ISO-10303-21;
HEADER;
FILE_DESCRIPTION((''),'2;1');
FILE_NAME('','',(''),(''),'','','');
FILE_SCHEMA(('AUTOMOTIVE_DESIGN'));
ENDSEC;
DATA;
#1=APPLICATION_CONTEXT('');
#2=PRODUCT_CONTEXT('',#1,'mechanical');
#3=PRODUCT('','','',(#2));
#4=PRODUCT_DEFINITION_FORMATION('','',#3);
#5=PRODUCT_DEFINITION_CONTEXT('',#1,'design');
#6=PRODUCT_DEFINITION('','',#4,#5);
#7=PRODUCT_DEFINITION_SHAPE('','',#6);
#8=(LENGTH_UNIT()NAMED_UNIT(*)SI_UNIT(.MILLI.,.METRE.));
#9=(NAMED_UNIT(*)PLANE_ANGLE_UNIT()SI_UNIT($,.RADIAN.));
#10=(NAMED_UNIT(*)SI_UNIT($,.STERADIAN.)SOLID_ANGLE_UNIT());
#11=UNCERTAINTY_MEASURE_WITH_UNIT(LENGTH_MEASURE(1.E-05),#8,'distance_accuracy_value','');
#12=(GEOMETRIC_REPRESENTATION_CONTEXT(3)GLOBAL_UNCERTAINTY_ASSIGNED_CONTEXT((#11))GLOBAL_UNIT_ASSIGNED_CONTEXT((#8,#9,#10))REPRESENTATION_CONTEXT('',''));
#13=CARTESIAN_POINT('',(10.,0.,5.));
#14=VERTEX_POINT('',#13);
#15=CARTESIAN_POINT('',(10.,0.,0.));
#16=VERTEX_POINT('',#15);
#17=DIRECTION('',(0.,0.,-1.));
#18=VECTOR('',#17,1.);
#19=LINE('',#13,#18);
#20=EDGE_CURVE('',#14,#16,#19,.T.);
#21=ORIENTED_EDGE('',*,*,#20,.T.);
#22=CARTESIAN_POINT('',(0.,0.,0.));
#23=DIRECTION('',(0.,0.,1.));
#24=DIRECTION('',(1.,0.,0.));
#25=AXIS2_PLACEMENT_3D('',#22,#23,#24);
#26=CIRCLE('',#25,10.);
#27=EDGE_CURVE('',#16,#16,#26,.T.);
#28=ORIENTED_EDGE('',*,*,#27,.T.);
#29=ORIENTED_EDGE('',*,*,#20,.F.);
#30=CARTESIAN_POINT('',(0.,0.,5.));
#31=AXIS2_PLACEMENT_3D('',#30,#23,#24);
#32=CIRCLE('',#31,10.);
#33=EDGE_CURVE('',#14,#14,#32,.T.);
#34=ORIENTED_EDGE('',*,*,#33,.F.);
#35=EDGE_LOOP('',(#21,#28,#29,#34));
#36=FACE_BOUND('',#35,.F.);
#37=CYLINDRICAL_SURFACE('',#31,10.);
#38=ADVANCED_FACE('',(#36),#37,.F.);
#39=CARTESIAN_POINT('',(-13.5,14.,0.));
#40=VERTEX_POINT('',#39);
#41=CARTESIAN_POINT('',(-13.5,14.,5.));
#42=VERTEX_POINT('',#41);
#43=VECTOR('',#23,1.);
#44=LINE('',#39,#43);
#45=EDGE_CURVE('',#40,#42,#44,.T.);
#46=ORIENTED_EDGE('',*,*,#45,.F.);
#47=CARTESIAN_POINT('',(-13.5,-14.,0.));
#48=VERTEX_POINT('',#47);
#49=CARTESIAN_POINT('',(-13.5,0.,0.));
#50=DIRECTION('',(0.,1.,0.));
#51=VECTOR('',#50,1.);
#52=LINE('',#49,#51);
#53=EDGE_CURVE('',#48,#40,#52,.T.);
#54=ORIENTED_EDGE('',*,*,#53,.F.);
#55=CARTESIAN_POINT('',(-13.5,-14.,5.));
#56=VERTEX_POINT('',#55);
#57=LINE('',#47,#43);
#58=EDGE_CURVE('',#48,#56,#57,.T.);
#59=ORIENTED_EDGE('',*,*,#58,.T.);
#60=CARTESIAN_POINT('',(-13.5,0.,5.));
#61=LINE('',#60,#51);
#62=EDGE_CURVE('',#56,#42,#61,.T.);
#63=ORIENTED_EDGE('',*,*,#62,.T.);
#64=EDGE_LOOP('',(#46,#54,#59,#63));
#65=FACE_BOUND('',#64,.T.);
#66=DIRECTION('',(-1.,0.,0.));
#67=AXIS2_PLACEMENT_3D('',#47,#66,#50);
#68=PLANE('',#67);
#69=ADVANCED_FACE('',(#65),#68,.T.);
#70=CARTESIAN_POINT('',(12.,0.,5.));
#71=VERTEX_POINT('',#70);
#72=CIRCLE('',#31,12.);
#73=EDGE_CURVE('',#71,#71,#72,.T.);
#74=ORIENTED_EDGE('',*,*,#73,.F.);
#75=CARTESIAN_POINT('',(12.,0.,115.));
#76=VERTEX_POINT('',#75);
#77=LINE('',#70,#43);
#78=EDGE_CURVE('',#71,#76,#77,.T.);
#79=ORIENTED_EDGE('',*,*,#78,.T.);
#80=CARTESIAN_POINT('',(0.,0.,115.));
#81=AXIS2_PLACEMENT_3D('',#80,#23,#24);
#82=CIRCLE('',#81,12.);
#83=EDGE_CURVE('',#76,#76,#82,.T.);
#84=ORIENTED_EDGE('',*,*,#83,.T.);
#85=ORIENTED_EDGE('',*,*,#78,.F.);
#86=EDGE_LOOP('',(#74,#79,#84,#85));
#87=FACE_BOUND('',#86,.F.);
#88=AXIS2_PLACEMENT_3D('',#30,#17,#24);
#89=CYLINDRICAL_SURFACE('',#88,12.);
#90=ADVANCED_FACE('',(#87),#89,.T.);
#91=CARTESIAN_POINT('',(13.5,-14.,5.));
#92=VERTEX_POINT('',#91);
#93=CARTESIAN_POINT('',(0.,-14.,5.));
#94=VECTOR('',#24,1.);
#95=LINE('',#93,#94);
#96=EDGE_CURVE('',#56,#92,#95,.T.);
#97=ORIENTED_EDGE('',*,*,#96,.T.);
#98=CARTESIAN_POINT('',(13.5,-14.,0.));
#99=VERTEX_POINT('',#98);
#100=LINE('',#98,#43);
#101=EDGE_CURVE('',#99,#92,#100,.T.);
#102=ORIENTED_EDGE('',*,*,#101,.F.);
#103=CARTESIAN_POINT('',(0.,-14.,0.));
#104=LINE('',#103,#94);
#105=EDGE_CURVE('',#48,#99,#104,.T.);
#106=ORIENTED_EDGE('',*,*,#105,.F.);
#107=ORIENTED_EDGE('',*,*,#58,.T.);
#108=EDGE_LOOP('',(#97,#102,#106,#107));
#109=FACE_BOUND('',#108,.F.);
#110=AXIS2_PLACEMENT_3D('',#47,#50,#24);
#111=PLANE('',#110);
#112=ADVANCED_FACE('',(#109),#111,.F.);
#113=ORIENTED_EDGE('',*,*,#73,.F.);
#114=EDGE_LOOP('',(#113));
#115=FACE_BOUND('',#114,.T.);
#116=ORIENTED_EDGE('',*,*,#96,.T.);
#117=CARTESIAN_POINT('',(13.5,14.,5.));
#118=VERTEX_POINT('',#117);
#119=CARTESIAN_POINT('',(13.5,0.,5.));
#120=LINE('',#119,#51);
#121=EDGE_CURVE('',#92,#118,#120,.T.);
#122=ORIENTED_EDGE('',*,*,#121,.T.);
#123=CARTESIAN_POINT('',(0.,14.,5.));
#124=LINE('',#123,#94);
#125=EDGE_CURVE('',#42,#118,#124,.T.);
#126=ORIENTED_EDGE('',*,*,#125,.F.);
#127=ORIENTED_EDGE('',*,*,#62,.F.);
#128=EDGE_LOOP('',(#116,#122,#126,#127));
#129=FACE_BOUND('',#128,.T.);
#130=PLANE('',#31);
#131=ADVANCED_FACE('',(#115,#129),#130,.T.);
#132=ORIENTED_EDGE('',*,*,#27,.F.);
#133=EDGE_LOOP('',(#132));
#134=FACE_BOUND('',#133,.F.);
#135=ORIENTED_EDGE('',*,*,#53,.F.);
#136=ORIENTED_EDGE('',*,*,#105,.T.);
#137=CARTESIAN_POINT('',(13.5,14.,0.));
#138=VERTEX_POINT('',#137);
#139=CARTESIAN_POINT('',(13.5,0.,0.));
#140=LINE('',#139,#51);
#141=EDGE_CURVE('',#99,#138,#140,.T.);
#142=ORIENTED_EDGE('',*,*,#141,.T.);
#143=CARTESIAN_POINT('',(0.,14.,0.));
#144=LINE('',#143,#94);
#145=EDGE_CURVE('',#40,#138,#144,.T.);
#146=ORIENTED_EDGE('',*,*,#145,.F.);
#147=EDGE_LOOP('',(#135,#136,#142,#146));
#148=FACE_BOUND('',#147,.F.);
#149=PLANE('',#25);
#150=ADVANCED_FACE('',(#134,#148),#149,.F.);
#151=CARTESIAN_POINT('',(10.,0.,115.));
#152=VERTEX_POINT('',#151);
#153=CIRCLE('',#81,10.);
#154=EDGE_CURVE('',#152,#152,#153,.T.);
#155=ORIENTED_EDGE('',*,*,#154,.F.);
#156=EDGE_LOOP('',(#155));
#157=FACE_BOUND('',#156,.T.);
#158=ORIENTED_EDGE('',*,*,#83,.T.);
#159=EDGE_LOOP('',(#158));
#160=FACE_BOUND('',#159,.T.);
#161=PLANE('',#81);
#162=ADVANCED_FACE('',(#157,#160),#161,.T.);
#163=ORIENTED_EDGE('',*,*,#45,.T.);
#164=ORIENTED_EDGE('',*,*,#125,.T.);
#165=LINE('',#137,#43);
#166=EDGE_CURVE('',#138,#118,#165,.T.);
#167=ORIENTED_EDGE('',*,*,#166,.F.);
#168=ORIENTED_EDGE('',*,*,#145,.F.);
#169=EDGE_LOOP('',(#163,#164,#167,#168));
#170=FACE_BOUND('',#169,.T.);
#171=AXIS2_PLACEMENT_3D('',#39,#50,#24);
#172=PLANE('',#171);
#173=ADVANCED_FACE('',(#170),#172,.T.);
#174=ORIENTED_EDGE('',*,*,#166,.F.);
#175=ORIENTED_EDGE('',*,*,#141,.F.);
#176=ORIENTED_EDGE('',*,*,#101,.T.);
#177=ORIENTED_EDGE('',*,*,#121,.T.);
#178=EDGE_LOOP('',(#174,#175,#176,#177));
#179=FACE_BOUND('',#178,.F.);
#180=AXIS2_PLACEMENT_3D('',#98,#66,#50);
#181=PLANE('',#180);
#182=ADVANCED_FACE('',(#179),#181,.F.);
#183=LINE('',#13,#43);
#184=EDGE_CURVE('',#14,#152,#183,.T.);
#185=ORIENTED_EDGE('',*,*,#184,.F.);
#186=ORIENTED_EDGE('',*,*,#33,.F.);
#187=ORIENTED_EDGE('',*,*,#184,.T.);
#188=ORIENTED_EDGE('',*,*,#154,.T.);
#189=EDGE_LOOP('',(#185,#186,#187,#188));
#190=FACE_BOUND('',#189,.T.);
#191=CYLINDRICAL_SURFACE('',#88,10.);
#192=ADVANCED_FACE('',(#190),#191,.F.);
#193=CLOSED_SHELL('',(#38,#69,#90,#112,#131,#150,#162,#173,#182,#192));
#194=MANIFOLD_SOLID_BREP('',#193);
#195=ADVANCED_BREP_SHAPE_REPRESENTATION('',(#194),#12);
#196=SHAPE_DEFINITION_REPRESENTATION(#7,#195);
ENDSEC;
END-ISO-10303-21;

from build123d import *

# Parameters (mm, degrees)
F0_W      = 27
F0_H      = 28
F1_DEPTH  = 5
F2_R      = 12
F2_R_2    = 10
F3_DEPTH  = 110
F3_FACE_R = 10
F4_DEPTH  = 5


with BuildPart() as f1:
    # F0 (on Top) → F1 (new body)
    with BuildSketch(Plane.XY):
        Rectangle(F0_W, F0_H)
    extrude(amount=F1_DEPTH)

    # F2 (on face) → F3 (join)
    with BuildSketch(Plane.XY.offset(5)):
        Circle(F2_R)
        Circle(F2_R_2, mode=Mode.SUBTRACT)
    extrude(amount=F3_DEPTH)

    # F3_face (on face) → F4 (cut, through all)
    with BuildSketch(Plane.XY.offset(5)):
        Circle(F3_FACE_R)
    extrude(amount=-F4_DEPTH, mode=Mode.SUBTRACT)


solid = f1.part
